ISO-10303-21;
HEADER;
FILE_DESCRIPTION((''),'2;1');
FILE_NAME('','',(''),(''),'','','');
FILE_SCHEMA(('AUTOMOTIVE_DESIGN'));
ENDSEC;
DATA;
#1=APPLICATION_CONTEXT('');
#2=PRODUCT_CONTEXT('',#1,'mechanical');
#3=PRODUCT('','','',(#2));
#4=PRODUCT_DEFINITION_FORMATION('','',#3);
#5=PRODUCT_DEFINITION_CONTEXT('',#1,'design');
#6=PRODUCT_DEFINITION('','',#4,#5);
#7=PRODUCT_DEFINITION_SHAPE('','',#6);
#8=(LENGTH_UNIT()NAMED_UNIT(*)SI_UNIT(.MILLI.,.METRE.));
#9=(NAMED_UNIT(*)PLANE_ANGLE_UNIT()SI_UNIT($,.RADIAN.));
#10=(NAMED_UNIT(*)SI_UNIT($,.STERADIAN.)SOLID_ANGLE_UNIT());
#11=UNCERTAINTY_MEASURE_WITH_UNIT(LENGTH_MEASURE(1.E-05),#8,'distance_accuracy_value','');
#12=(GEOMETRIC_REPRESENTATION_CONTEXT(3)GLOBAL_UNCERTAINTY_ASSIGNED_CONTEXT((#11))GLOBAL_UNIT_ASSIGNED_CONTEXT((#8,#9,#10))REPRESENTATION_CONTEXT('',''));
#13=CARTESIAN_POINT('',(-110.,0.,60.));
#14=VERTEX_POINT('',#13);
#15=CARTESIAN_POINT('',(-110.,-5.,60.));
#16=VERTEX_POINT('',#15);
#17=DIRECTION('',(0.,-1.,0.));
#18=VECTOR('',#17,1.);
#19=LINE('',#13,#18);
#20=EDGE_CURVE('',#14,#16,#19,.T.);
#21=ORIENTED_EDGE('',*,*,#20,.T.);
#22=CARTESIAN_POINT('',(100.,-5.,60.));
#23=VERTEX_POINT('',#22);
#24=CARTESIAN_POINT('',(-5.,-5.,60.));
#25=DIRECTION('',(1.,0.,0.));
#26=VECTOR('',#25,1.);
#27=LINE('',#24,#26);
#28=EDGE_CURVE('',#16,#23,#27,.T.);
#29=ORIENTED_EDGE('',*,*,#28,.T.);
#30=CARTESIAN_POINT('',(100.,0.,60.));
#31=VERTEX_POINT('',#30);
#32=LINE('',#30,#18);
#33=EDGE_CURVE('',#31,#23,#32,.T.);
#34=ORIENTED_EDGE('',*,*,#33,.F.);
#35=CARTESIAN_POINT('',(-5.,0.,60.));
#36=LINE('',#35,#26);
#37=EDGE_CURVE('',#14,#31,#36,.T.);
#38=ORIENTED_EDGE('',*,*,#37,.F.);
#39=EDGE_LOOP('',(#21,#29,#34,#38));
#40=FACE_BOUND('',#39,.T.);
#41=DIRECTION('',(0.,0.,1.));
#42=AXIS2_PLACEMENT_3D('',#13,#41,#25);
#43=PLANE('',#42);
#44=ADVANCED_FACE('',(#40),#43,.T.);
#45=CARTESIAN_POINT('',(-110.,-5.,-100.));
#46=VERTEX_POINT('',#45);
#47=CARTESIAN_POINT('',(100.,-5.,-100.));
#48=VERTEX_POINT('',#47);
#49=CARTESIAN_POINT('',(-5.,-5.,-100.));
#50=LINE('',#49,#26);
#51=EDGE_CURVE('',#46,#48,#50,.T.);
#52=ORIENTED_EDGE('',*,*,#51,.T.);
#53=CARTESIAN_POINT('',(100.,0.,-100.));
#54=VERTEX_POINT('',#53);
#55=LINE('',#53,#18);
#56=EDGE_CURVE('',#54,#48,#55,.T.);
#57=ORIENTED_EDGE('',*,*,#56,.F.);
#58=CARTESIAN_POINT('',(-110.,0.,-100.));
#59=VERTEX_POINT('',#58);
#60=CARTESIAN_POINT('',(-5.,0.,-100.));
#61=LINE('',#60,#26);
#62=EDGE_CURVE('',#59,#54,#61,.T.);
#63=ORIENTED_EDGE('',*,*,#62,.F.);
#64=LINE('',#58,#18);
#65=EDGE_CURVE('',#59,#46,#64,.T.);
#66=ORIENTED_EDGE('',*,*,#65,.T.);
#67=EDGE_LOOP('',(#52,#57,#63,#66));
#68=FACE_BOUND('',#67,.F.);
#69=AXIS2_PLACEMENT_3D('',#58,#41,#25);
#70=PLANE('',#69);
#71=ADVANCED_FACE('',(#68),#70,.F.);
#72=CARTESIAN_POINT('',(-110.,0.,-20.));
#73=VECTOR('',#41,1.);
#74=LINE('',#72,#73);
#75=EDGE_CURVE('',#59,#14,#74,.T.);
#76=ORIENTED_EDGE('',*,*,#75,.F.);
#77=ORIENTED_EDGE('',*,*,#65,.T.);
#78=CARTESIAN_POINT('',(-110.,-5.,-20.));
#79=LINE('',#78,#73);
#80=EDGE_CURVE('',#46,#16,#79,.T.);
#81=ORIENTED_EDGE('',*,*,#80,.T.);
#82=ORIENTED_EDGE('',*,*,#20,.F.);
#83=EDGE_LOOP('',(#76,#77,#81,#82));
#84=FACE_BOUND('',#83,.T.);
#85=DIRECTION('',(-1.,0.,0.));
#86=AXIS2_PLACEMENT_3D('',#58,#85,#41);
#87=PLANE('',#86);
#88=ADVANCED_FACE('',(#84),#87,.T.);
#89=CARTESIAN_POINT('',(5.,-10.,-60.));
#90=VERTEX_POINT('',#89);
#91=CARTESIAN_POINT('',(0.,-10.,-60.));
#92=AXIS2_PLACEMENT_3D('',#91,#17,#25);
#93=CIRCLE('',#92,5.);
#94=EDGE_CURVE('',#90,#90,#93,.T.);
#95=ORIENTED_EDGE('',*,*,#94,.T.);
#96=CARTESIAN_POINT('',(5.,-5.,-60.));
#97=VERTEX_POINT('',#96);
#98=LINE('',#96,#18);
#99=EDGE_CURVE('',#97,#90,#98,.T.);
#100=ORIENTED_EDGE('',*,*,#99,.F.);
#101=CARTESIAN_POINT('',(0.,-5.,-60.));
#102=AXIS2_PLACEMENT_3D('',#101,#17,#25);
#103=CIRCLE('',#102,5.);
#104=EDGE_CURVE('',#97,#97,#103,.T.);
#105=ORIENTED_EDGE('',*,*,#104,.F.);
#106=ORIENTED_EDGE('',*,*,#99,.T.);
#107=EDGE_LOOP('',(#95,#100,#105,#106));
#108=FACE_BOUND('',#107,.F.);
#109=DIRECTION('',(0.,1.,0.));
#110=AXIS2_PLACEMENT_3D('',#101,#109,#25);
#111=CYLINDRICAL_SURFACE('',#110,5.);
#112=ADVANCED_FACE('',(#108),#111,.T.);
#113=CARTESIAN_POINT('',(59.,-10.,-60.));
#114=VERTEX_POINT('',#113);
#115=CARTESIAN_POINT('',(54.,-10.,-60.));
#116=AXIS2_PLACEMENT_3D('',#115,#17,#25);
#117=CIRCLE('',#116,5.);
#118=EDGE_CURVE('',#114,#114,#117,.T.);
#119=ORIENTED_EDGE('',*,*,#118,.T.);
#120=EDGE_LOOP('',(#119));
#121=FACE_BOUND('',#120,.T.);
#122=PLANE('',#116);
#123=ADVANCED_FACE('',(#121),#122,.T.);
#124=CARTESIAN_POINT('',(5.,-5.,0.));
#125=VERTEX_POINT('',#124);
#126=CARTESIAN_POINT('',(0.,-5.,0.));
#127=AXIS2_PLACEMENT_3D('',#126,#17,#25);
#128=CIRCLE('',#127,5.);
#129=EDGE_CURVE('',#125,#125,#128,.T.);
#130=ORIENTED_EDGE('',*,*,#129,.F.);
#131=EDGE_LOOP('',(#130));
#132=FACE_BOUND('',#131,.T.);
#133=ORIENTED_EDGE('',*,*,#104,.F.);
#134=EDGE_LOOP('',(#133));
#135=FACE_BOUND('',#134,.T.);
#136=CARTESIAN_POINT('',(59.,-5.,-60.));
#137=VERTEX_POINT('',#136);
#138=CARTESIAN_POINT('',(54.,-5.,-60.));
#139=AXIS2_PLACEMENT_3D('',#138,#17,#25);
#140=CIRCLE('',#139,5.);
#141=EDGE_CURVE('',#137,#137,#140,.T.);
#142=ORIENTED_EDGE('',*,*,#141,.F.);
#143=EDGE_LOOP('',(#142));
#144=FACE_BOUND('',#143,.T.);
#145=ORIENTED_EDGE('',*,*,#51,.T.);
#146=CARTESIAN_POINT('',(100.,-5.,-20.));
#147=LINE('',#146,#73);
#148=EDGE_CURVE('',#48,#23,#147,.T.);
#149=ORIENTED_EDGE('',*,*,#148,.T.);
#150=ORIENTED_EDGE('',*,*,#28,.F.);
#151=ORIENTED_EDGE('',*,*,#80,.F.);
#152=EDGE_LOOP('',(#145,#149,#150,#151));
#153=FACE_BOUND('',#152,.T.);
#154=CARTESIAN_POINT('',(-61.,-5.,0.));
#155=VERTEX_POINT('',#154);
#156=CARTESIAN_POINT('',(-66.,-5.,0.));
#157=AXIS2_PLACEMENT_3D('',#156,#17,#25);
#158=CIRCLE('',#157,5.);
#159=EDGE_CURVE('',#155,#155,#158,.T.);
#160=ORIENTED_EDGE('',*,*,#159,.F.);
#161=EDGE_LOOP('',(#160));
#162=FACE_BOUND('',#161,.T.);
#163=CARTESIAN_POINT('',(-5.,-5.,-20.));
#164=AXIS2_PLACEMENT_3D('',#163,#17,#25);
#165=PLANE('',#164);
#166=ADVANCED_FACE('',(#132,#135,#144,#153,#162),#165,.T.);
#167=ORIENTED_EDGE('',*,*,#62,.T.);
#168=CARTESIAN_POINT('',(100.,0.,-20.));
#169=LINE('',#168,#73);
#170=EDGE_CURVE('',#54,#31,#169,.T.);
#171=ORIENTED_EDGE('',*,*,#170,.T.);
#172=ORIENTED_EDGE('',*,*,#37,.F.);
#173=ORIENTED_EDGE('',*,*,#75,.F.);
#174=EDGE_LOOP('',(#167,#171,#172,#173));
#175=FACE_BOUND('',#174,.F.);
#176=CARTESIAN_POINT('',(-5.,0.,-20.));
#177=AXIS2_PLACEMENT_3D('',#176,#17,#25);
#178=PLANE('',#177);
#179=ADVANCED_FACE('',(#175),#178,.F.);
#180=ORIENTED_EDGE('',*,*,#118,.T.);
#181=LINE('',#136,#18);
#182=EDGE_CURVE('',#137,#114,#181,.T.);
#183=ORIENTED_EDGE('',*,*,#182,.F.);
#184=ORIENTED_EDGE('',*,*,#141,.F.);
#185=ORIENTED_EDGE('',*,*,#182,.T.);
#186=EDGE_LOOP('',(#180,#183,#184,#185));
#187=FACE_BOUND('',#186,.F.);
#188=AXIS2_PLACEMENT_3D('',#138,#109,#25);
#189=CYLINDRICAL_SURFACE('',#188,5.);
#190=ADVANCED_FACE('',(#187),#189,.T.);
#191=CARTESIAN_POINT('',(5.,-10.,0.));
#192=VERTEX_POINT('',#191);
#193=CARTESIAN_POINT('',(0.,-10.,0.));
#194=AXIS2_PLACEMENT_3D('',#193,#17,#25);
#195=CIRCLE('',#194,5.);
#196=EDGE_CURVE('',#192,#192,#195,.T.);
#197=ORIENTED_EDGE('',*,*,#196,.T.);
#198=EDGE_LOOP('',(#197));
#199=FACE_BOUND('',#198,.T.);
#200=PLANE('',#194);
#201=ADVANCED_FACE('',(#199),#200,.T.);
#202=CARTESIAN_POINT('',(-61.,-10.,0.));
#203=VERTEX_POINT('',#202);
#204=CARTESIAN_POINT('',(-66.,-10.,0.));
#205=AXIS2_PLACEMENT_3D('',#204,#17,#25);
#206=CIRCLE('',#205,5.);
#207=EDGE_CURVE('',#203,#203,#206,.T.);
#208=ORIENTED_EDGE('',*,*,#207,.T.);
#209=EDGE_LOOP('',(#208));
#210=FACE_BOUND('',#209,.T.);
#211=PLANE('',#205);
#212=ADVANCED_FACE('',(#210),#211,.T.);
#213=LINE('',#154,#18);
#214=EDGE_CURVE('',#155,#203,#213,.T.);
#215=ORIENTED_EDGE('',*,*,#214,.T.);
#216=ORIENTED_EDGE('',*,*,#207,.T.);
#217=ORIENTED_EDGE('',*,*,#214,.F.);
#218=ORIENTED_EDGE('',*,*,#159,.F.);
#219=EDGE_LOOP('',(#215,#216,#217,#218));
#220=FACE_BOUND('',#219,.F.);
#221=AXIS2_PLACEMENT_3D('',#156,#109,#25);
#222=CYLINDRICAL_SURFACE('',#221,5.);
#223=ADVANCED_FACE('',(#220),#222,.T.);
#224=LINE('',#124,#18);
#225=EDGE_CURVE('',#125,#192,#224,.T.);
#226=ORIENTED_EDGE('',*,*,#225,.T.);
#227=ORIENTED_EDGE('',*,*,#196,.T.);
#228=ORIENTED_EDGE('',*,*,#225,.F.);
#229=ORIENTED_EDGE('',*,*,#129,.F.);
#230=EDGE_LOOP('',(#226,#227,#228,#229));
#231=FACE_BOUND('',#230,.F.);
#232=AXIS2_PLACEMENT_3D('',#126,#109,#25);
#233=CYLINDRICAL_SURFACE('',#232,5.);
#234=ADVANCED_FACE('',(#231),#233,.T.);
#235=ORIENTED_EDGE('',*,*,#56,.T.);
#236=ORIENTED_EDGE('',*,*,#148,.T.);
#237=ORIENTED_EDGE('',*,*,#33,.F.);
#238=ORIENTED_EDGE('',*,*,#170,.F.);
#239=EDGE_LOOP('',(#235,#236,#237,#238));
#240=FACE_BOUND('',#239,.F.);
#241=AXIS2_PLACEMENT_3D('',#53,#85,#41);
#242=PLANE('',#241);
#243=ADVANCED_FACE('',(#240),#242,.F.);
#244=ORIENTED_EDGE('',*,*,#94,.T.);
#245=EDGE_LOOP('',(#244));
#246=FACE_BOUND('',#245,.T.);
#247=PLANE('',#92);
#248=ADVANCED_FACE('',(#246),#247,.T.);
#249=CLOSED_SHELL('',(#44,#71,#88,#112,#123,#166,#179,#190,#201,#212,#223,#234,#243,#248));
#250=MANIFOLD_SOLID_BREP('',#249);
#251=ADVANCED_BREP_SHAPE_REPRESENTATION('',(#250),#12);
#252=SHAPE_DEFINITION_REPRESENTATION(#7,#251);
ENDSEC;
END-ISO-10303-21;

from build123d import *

# Parameters (mm, degrees)
F0_W     = 210
F0_H     = 160
F1_DEPTH = 5
F2_R     = 5
F3_DEPTH = 5


with BuildPart() as f1:
    # F0 (on Front) → F1 (new body)
    with BuildSketch(Plane.XZ):
        with Locations((-5, -20)):
            Rectangle(F0_W, F0_H)
    extrude(amount=F1_DEPTH)

    # F2 (on face) → F3 (join)
    with BuildSketch(Plane.XZ.offset(5)):
        Circle(F2_R)
        with Locations((0, -60)):
            Circle(F2_R)
        with Locations((54, -60)):
            Circle(F2_R)
        with Locations((-66, 0)):
            Circle(F2_R)
    extrude(amount=F3_DEPTH)


solid = f1.part
